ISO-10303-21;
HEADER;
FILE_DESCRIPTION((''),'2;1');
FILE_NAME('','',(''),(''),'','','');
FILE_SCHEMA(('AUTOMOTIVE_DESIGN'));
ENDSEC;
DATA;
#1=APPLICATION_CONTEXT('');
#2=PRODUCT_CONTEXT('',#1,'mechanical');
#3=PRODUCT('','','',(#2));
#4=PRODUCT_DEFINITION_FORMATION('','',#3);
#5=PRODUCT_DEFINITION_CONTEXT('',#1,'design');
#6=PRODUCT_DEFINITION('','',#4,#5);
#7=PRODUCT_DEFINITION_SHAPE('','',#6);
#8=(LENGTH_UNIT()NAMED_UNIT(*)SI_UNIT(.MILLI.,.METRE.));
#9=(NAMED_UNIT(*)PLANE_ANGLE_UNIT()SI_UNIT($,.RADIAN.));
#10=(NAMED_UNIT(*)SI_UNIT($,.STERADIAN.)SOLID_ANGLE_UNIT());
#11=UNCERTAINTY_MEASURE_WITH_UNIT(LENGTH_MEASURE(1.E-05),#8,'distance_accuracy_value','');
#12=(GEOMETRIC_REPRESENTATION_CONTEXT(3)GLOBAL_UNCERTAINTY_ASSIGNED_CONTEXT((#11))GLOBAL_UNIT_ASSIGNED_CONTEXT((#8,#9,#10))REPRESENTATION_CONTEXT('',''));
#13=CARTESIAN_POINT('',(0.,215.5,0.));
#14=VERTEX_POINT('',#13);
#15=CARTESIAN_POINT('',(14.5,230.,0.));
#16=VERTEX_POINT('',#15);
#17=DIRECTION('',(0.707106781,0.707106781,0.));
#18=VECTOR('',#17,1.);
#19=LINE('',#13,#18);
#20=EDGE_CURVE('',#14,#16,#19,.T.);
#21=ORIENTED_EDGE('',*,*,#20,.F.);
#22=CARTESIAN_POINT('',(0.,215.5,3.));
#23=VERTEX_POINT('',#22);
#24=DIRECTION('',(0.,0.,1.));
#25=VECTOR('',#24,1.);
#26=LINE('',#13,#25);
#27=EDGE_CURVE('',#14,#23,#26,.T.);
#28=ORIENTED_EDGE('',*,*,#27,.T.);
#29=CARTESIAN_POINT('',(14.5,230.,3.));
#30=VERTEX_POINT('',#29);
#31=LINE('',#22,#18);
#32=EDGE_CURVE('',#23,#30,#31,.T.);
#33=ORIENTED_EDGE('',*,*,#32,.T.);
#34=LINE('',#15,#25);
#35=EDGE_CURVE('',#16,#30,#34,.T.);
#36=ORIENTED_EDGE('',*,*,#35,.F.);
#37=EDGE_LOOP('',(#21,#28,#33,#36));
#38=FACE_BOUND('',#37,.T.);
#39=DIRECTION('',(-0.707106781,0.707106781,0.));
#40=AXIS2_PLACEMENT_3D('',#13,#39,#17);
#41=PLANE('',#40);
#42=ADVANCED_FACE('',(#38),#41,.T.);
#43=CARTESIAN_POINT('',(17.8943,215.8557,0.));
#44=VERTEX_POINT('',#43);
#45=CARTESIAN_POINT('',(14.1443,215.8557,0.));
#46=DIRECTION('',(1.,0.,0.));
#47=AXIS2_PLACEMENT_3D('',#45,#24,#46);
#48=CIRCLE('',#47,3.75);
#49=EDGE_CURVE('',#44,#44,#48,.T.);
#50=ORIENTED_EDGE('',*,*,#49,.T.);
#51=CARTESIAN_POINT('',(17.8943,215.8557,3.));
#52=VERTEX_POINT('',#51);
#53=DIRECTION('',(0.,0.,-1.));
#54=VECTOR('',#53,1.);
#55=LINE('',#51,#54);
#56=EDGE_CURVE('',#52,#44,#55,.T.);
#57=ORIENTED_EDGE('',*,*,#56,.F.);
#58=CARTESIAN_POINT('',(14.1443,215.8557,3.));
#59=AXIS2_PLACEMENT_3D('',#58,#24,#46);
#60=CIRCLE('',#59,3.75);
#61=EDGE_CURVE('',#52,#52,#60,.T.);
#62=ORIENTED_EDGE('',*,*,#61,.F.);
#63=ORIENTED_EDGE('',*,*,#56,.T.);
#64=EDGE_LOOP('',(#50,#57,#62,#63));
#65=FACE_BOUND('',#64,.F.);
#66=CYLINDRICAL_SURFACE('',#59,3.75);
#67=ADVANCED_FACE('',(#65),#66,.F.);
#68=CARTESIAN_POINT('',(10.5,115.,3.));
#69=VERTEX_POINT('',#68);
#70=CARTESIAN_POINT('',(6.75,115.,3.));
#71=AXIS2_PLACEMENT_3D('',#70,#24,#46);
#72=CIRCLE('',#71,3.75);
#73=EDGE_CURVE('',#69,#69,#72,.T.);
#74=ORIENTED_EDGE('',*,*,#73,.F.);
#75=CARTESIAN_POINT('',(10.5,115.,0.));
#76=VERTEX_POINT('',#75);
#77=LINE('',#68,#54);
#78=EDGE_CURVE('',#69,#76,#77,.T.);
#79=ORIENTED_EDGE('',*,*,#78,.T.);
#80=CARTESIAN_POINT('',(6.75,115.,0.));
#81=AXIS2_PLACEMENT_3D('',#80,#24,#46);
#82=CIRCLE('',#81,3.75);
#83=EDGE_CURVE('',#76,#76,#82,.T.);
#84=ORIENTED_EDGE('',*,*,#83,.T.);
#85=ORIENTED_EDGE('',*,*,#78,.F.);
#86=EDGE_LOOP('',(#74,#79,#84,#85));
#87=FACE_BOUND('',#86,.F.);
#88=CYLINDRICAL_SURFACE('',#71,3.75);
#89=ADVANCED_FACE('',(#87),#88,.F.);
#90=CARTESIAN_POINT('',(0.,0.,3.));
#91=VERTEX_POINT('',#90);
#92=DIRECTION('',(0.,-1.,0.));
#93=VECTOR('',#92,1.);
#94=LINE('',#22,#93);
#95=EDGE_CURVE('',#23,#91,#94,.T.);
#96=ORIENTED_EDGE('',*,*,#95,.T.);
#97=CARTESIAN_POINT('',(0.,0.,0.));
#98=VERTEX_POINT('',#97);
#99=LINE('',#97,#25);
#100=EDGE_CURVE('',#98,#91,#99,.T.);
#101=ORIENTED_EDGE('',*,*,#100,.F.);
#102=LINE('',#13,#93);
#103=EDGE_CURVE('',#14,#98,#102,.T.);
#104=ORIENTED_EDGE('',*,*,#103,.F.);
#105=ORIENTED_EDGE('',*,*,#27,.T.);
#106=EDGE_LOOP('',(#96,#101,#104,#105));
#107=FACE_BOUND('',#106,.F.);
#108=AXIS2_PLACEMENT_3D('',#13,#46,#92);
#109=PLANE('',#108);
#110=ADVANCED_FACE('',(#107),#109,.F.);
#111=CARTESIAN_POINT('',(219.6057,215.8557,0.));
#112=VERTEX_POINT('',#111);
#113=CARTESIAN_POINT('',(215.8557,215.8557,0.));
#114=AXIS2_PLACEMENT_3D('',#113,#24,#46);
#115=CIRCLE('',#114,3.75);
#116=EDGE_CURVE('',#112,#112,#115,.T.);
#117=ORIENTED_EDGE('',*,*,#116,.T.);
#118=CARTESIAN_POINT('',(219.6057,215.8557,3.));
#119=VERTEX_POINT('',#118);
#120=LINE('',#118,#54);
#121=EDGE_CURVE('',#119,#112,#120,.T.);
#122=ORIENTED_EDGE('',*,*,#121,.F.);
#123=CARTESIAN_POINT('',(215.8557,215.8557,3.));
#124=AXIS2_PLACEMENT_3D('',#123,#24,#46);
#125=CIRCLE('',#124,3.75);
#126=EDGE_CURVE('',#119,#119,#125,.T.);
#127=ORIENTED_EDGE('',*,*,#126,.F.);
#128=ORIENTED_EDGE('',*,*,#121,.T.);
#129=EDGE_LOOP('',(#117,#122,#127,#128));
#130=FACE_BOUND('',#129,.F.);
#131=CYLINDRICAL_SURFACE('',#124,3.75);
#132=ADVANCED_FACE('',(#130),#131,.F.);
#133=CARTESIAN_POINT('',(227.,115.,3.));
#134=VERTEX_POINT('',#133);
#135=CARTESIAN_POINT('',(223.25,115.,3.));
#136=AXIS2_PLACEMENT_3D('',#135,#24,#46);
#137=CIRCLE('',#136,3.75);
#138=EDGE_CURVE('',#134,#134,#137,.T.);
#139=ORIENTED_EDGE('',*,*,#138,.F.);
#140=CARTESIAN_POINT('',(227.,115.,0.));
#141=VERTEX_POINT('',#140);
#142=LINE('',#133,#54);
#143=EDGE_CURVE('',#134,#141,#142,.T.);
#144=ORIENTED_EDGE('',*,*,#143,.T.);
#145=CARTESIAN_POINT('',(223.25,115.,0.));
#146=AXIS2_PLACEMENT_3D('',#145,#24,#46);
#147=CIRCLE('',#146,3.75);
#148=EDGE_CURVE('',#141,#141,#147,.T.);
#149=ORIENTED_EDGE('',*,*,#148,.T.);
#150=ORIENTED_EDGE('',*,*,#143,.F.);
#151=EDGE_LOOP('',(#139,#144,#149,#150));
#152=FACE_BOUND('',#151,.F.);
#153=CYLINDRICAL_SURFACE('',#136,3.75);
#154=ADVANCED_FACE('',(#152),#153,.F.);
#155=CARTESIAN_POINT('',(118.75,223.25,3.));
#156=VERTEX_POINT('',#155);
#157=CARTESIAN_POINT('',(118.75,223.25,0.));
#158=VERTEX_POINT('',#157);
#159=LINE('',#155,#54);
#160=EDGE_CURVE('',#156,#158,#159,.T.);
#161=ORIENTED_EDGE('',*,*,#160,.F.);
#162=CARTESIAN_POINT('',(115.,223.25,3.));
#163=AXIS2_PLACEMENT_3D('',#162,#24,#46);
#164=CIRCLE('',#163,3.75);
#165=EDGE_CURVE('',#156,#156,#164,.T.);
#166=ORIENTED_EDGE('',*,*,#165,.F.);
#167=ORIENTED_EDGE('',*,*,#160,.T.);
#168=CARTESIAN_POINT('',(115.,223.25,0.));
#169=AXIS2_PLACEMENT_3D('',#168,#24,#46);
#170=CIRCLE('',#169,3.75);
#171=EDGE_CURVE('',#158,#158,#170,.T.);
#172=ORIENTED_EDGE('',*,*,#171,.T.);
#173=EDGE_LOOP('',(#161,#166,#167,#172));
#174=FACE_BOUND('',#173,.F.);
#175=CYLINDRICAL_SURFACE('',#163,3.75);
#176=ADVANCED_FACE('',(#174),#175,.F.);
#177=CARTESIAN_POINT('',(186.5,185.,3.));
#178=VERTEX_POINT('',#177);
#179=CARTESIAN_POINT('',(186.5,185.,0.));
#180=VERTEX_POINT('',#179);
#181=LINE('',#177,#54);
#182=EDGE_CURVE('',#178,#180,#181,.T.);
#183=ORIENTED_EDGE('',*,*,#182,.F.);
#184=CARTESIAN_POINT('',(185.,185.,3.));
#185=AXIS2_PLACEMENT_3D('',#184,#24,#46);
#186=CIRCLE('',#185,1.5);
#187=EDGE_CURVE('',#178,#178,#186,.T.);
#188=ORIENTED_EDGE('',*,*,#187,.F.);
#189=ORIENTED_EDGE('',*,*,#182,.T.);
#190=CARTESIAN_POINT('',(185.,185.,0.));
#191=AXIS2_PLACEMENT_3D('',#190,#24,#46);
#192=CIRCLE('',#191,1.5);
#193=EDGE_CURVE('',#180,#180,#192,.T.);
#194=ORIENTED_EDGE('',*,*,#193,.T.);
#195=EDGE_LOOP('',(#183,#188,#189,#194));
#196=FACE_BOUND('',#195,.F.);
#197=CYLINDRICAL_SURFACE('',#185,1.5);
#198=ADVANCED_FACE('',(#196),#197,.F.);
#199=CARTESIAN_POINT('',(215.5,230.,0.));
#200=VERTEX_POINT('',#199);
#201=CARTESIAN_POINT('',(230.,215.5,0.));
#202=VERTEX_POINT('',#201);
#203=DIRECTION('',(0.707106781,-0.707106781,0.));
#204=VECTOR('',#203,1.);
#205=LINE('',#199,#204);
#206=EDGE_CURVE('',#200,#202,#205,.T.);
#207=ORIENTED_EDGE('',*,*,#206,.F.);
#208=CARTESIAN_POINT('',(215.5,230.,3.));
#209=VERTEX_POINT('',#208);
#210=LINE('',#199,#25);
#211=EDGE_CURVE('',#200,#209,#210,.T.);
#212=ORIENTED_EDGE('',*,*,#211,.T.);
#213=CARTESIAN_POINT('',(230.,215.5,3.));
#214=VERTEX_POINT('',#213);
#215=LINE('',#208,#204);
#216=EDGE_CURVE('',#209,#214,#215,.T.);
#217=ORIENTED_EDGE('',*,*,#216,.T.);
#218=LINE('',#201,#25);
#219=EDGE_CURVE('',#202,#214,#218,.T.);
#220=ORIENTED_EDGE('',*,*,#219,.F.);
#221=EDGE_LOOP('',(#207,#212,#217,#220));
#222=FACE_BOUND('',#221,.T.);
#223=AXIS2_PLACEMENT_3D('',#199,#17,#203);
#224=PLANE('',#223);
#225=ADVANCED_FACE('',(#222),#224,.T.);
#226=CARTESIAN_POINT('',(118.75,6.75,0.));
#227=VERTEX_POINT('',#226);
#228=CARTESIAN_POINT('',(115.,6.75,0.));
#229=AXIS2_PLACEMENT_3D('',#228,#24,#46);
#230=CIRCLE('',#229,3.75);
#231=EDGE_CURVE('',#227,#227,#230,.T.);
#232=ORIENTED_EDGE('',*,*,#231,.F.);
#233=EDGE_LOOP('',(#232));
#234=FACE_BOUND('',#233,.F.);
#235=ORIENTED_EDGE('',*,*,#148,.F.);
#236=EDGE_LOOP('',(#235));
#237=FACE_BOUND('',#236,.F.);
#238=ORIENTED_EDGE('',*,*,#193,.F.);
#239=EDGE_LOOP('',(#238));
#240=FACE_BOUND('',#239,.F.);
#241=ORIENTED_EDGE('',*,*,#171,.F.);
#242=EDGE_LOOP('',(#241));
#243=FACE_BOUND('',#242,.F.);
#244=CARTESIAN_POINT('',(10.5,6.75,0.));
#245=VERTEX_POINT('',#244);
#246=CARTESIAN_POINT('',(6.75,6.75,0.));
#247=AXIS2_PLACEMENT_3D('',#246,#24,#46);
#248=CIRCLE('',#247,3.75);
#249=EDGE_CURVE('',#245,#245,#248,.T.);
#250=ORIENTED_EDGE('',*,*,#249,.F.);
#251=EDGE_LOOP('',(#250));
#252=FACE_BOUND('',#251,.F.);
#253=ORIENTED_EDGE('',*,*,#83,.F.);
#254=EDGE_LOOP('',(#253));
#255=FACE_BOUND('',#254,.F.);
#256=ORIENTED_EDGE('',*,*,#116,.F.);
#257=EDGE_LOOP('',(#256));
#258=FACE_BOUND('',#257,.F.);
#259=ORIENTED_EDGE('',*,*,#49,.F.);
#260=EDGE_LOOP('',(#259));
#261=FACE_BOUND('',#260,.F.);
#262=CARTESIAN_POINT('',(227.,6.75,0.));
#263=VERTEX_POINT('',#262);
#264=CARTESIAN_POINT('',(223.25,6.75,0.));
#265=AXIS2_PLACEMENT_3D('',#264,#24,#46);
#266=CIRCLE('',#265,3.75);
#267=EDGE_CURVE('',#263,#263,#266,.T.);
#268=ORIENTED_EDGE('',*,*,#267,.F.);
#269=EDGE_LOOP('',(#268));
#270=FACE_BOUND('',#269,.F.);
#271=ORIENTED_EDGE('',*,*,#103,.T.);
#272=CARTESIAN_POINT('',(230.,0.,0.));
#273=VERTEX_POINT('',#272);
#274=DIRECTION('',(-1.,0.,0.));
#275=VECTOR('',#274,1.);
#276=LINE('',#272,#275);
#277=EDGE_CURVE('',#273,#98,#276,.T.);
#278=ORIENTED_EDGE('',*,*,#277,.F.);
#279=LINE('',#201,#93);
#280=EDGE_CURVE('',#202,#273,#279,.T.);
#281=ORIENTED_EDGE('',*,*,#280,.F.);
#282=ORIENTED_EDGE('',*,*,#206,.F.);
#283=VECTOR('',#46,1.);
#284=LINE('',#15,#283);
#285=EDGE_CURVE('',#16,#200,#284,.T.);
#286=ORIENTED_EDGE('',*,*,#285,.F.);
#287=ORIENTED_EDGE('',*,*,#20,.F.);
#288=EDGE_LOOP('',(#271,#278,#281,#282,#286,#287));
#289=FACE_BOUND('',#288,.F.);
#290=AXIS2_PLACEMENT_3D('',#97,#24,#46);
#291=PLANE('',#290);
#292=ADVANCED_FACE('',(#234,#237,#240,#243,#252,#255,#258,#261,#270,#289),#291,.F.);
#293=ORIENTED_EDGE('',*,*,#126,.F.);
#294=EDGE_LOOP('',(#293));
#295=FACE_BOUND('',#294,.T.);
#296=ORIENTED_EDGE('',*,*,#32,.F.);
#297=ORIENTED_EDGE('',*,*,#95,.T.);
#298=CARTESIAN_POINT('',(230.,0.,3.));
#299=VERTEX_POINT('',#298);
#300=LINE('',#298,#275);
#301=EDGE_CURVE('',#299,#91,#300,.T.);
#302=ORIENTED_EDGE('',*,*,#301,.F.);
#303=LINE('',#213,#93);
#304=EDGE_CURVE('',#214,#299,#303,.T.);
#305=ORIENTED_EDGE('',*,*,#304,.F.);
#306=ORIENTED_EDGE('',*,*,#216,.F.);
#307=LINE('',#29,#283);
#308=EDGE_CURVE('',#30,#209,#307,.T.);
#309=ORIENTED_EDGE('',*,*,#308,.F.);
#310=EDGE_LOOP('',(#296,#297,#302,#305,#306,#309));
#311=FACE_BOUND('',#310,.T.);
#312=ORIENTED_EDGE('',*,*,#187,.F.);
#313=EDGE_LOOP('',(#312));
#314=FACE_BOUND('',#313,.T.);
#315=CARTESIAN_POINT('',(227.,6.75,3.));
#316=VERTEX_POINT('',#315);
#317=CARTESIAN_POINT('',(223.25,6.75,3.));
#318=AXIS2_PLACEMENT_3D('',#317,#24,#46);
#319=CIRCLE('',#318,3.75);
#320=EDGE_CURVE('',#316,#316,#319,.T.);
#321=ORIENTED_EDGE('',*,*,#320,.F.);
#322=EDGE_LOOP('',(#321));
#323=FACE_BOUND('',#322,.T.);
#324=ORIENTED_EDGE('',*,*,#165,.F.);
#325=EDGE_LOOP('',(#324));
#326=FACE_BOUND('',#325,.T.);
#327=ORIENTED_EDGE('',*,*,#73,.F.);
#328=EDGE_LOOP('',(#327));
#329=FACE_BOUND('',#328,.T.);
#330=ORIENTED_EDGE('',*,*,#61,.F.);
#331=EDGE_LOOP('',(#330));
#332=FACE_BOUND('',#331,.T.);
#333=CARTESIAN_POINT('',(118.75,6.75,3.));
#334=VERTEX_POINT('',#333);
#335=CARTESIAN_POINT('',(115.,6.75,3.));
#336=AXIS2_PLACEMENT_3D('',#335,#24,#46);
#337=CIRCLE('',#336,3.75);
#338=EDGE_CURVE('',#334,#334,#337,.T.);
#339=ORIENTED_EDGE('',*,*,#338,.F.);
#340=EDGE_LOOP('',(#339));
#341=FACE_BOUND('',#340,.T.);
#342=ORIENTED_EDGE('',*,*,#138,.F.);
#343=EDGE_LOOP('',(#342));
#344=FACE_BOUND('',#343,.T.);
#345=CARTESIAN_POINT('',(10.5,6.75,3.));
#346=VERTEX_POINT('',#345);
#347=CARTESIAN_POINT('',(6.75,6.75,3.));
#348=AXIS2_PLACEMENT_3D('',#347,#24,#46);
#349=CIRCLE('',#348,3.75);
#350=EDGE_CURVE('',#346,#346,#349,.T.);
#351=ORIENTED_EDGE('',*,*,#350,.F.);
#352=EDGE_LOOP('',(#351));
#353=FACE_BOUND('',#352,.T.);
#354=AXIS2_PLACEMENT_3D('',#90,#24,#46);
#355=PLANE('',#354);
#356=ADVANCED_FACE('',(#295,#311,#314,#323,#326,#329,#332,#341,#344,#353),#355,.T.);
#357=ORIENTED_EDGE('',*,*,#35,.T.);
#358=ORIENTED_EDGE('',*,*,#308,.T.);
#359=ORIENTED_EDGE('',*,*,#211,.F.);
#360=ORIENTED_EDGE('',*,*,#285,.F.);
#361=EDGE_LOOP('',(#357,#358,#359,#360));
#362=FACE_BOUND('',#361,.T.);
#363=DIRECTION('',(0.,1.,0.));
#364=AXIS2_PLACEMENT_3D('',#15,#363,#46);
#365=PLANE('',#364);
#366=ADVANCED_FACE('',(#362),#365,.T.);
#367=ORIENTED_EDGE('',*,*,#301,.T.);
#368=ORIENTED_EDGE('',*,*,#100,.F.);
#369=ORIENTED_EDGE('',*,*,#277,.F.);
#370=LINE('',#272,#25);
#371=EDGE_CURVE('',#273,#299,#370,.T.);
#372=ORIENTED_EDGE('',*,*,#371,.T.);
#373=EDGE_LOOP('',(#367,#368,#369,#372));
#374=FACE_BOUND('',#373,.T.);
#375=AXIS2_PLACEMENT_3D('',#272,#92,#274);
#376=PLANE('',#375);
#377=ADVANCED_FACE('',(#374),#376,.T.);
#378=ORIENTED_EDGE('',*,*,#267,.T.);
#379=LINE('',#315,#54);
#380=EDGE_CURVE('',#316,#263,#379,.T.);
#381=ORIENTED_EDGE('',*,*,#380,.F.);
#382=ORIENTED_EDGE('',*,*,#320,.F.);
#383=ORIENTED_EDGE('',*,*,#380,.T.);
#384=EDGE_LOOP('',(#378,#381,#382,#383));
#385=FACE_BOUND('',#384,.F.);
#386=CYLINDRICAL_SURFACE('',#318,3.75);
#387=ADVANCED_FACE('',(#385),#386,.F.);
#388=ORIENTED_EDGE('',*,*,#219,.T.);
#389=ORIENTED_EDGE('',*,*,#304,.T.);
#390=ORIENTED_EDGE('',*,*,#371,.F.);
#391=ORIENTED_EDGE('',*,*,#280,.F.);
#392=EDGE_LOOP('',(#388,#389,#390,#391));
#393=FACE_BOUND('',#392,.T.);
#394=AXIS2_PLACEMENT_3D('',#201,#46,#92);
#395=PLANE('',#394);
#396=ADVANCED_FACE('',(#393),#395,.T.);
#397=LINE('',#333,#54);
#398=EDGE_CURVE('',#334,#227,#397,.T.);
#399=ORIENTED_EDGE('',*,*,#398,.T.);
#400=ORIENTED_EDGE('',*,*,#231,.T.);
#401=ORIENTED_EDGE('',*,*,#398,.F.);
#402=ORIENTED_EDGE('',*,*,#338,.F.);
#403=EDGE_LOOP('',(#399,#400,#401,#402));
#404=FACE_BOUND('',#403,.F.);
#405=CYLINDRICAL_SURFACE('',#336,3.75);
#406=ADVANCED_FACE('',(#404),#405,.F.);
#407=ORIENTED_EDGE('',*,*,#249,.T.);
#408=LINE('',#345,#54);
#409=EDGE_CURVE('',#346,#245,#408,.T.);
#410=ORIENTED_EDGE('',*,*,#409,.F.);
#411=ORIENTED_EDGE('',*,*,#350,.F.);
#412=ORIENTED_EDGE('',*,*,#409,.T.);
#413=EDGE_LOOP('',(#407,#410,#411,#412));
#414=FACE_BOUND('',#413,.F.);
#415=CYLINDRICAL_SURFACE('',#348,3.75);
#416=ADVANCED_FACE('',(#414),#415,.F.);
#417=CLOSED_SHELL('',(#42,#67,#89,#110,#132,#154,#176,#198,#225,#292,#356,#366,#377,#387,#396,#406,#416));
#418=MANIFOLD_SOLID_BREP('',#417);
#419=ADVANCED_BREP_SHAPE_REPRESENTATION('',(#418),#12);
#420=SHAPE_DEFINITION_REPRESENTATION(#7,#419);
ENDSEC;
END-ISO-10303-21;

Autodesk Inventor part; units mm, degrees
ref_plane "YZ Plane" through (0, 0, 0) normal (1, 0, 0) x (0, 1, 0)
ref_plane "XZ Plane" through (0, 0, 0) normal (0, 1, 0) x (-1, 0, 0)
ref_plane "XY Plane" through (0, 0, 0) normal (0, 0, 1) x (1, 0, 0)
sketch "Sketch1" plane through (0, 0, 0) normal (0, 0, 1) x (1, 0, 0)
  line L0 (230, 0) -> (0, 0)
  line L1 (14.5, 230) -> (215.5, 230)
  line L2 (0, 215.5) -> (0, 0)
  line L3 (0, 215.5) -> (14.5, 230)
  line L4 (230, 215.5) -> (230, 0)
  line L5 (215.5, 230) -> (230, 215.5)
  dimension "d6" = 135
  dimension "d7" = 230
  dimension "d8" = 230
  dimension "d9" = 315.0161
  dimension "d10" = 152.3815
extrude "Extrusion1" add sketch "Sketch1" along normal blind 3
sketch "Sketch2" plane through (0, 0, 3) normal (0, 0, 1) x (1, 0, 0)
  line L0 (215.5, 230) -> (14.5, 230) projected
  circle A0 centre (115, 223.25) radius 3.75
  line L1 (0, 0) -> (230, 0) projected
  circle A1 centre (115, 6.75) radius 3.75
  line L2 (0, 215.5) -> (0, 0) projected
  circle A2 centre (6.75, 115) radius 3.75
  line L3 (230, 0) -> (230, 215.5) projected
  circle A3 centre (223.25, 115) radius 3.75
  circle A4 centre (6.75, 6.75) radius 3.75
  circle A5 centre (223.25, 6.75) radius 3.75
  line L4 (14.5, 230) -> (0, 215.5) projected
  circle A6 centre (14.1443, 215.8557) radius 3.75
  line L5 (230, 215.5) -> (215.5, 230) projected
  circle A7 centre (215.8557, 215.8557) radius 3.75
  circle A8 centre (185, 185) radius 1.5
  dimension "d19" = 7.5
  dimension "d21" = 7.5
  dimension "d23" = 7.5
  dimension "d25" = 7.5
  dimension "d28" = 7.5
  dimension "d31" = 7.5
  dimension "d34" = 7.5
  dimension "d37" = 7.5
  dimension "d43" = 3
extrude "Extrusion2" cut sketch "Sketch2" against normal through all contours A0 | A1 | A2 | A3 | A4 | A5 | A6 | A7 | A8
properties part number "tampa da caixa de engrenagem"
